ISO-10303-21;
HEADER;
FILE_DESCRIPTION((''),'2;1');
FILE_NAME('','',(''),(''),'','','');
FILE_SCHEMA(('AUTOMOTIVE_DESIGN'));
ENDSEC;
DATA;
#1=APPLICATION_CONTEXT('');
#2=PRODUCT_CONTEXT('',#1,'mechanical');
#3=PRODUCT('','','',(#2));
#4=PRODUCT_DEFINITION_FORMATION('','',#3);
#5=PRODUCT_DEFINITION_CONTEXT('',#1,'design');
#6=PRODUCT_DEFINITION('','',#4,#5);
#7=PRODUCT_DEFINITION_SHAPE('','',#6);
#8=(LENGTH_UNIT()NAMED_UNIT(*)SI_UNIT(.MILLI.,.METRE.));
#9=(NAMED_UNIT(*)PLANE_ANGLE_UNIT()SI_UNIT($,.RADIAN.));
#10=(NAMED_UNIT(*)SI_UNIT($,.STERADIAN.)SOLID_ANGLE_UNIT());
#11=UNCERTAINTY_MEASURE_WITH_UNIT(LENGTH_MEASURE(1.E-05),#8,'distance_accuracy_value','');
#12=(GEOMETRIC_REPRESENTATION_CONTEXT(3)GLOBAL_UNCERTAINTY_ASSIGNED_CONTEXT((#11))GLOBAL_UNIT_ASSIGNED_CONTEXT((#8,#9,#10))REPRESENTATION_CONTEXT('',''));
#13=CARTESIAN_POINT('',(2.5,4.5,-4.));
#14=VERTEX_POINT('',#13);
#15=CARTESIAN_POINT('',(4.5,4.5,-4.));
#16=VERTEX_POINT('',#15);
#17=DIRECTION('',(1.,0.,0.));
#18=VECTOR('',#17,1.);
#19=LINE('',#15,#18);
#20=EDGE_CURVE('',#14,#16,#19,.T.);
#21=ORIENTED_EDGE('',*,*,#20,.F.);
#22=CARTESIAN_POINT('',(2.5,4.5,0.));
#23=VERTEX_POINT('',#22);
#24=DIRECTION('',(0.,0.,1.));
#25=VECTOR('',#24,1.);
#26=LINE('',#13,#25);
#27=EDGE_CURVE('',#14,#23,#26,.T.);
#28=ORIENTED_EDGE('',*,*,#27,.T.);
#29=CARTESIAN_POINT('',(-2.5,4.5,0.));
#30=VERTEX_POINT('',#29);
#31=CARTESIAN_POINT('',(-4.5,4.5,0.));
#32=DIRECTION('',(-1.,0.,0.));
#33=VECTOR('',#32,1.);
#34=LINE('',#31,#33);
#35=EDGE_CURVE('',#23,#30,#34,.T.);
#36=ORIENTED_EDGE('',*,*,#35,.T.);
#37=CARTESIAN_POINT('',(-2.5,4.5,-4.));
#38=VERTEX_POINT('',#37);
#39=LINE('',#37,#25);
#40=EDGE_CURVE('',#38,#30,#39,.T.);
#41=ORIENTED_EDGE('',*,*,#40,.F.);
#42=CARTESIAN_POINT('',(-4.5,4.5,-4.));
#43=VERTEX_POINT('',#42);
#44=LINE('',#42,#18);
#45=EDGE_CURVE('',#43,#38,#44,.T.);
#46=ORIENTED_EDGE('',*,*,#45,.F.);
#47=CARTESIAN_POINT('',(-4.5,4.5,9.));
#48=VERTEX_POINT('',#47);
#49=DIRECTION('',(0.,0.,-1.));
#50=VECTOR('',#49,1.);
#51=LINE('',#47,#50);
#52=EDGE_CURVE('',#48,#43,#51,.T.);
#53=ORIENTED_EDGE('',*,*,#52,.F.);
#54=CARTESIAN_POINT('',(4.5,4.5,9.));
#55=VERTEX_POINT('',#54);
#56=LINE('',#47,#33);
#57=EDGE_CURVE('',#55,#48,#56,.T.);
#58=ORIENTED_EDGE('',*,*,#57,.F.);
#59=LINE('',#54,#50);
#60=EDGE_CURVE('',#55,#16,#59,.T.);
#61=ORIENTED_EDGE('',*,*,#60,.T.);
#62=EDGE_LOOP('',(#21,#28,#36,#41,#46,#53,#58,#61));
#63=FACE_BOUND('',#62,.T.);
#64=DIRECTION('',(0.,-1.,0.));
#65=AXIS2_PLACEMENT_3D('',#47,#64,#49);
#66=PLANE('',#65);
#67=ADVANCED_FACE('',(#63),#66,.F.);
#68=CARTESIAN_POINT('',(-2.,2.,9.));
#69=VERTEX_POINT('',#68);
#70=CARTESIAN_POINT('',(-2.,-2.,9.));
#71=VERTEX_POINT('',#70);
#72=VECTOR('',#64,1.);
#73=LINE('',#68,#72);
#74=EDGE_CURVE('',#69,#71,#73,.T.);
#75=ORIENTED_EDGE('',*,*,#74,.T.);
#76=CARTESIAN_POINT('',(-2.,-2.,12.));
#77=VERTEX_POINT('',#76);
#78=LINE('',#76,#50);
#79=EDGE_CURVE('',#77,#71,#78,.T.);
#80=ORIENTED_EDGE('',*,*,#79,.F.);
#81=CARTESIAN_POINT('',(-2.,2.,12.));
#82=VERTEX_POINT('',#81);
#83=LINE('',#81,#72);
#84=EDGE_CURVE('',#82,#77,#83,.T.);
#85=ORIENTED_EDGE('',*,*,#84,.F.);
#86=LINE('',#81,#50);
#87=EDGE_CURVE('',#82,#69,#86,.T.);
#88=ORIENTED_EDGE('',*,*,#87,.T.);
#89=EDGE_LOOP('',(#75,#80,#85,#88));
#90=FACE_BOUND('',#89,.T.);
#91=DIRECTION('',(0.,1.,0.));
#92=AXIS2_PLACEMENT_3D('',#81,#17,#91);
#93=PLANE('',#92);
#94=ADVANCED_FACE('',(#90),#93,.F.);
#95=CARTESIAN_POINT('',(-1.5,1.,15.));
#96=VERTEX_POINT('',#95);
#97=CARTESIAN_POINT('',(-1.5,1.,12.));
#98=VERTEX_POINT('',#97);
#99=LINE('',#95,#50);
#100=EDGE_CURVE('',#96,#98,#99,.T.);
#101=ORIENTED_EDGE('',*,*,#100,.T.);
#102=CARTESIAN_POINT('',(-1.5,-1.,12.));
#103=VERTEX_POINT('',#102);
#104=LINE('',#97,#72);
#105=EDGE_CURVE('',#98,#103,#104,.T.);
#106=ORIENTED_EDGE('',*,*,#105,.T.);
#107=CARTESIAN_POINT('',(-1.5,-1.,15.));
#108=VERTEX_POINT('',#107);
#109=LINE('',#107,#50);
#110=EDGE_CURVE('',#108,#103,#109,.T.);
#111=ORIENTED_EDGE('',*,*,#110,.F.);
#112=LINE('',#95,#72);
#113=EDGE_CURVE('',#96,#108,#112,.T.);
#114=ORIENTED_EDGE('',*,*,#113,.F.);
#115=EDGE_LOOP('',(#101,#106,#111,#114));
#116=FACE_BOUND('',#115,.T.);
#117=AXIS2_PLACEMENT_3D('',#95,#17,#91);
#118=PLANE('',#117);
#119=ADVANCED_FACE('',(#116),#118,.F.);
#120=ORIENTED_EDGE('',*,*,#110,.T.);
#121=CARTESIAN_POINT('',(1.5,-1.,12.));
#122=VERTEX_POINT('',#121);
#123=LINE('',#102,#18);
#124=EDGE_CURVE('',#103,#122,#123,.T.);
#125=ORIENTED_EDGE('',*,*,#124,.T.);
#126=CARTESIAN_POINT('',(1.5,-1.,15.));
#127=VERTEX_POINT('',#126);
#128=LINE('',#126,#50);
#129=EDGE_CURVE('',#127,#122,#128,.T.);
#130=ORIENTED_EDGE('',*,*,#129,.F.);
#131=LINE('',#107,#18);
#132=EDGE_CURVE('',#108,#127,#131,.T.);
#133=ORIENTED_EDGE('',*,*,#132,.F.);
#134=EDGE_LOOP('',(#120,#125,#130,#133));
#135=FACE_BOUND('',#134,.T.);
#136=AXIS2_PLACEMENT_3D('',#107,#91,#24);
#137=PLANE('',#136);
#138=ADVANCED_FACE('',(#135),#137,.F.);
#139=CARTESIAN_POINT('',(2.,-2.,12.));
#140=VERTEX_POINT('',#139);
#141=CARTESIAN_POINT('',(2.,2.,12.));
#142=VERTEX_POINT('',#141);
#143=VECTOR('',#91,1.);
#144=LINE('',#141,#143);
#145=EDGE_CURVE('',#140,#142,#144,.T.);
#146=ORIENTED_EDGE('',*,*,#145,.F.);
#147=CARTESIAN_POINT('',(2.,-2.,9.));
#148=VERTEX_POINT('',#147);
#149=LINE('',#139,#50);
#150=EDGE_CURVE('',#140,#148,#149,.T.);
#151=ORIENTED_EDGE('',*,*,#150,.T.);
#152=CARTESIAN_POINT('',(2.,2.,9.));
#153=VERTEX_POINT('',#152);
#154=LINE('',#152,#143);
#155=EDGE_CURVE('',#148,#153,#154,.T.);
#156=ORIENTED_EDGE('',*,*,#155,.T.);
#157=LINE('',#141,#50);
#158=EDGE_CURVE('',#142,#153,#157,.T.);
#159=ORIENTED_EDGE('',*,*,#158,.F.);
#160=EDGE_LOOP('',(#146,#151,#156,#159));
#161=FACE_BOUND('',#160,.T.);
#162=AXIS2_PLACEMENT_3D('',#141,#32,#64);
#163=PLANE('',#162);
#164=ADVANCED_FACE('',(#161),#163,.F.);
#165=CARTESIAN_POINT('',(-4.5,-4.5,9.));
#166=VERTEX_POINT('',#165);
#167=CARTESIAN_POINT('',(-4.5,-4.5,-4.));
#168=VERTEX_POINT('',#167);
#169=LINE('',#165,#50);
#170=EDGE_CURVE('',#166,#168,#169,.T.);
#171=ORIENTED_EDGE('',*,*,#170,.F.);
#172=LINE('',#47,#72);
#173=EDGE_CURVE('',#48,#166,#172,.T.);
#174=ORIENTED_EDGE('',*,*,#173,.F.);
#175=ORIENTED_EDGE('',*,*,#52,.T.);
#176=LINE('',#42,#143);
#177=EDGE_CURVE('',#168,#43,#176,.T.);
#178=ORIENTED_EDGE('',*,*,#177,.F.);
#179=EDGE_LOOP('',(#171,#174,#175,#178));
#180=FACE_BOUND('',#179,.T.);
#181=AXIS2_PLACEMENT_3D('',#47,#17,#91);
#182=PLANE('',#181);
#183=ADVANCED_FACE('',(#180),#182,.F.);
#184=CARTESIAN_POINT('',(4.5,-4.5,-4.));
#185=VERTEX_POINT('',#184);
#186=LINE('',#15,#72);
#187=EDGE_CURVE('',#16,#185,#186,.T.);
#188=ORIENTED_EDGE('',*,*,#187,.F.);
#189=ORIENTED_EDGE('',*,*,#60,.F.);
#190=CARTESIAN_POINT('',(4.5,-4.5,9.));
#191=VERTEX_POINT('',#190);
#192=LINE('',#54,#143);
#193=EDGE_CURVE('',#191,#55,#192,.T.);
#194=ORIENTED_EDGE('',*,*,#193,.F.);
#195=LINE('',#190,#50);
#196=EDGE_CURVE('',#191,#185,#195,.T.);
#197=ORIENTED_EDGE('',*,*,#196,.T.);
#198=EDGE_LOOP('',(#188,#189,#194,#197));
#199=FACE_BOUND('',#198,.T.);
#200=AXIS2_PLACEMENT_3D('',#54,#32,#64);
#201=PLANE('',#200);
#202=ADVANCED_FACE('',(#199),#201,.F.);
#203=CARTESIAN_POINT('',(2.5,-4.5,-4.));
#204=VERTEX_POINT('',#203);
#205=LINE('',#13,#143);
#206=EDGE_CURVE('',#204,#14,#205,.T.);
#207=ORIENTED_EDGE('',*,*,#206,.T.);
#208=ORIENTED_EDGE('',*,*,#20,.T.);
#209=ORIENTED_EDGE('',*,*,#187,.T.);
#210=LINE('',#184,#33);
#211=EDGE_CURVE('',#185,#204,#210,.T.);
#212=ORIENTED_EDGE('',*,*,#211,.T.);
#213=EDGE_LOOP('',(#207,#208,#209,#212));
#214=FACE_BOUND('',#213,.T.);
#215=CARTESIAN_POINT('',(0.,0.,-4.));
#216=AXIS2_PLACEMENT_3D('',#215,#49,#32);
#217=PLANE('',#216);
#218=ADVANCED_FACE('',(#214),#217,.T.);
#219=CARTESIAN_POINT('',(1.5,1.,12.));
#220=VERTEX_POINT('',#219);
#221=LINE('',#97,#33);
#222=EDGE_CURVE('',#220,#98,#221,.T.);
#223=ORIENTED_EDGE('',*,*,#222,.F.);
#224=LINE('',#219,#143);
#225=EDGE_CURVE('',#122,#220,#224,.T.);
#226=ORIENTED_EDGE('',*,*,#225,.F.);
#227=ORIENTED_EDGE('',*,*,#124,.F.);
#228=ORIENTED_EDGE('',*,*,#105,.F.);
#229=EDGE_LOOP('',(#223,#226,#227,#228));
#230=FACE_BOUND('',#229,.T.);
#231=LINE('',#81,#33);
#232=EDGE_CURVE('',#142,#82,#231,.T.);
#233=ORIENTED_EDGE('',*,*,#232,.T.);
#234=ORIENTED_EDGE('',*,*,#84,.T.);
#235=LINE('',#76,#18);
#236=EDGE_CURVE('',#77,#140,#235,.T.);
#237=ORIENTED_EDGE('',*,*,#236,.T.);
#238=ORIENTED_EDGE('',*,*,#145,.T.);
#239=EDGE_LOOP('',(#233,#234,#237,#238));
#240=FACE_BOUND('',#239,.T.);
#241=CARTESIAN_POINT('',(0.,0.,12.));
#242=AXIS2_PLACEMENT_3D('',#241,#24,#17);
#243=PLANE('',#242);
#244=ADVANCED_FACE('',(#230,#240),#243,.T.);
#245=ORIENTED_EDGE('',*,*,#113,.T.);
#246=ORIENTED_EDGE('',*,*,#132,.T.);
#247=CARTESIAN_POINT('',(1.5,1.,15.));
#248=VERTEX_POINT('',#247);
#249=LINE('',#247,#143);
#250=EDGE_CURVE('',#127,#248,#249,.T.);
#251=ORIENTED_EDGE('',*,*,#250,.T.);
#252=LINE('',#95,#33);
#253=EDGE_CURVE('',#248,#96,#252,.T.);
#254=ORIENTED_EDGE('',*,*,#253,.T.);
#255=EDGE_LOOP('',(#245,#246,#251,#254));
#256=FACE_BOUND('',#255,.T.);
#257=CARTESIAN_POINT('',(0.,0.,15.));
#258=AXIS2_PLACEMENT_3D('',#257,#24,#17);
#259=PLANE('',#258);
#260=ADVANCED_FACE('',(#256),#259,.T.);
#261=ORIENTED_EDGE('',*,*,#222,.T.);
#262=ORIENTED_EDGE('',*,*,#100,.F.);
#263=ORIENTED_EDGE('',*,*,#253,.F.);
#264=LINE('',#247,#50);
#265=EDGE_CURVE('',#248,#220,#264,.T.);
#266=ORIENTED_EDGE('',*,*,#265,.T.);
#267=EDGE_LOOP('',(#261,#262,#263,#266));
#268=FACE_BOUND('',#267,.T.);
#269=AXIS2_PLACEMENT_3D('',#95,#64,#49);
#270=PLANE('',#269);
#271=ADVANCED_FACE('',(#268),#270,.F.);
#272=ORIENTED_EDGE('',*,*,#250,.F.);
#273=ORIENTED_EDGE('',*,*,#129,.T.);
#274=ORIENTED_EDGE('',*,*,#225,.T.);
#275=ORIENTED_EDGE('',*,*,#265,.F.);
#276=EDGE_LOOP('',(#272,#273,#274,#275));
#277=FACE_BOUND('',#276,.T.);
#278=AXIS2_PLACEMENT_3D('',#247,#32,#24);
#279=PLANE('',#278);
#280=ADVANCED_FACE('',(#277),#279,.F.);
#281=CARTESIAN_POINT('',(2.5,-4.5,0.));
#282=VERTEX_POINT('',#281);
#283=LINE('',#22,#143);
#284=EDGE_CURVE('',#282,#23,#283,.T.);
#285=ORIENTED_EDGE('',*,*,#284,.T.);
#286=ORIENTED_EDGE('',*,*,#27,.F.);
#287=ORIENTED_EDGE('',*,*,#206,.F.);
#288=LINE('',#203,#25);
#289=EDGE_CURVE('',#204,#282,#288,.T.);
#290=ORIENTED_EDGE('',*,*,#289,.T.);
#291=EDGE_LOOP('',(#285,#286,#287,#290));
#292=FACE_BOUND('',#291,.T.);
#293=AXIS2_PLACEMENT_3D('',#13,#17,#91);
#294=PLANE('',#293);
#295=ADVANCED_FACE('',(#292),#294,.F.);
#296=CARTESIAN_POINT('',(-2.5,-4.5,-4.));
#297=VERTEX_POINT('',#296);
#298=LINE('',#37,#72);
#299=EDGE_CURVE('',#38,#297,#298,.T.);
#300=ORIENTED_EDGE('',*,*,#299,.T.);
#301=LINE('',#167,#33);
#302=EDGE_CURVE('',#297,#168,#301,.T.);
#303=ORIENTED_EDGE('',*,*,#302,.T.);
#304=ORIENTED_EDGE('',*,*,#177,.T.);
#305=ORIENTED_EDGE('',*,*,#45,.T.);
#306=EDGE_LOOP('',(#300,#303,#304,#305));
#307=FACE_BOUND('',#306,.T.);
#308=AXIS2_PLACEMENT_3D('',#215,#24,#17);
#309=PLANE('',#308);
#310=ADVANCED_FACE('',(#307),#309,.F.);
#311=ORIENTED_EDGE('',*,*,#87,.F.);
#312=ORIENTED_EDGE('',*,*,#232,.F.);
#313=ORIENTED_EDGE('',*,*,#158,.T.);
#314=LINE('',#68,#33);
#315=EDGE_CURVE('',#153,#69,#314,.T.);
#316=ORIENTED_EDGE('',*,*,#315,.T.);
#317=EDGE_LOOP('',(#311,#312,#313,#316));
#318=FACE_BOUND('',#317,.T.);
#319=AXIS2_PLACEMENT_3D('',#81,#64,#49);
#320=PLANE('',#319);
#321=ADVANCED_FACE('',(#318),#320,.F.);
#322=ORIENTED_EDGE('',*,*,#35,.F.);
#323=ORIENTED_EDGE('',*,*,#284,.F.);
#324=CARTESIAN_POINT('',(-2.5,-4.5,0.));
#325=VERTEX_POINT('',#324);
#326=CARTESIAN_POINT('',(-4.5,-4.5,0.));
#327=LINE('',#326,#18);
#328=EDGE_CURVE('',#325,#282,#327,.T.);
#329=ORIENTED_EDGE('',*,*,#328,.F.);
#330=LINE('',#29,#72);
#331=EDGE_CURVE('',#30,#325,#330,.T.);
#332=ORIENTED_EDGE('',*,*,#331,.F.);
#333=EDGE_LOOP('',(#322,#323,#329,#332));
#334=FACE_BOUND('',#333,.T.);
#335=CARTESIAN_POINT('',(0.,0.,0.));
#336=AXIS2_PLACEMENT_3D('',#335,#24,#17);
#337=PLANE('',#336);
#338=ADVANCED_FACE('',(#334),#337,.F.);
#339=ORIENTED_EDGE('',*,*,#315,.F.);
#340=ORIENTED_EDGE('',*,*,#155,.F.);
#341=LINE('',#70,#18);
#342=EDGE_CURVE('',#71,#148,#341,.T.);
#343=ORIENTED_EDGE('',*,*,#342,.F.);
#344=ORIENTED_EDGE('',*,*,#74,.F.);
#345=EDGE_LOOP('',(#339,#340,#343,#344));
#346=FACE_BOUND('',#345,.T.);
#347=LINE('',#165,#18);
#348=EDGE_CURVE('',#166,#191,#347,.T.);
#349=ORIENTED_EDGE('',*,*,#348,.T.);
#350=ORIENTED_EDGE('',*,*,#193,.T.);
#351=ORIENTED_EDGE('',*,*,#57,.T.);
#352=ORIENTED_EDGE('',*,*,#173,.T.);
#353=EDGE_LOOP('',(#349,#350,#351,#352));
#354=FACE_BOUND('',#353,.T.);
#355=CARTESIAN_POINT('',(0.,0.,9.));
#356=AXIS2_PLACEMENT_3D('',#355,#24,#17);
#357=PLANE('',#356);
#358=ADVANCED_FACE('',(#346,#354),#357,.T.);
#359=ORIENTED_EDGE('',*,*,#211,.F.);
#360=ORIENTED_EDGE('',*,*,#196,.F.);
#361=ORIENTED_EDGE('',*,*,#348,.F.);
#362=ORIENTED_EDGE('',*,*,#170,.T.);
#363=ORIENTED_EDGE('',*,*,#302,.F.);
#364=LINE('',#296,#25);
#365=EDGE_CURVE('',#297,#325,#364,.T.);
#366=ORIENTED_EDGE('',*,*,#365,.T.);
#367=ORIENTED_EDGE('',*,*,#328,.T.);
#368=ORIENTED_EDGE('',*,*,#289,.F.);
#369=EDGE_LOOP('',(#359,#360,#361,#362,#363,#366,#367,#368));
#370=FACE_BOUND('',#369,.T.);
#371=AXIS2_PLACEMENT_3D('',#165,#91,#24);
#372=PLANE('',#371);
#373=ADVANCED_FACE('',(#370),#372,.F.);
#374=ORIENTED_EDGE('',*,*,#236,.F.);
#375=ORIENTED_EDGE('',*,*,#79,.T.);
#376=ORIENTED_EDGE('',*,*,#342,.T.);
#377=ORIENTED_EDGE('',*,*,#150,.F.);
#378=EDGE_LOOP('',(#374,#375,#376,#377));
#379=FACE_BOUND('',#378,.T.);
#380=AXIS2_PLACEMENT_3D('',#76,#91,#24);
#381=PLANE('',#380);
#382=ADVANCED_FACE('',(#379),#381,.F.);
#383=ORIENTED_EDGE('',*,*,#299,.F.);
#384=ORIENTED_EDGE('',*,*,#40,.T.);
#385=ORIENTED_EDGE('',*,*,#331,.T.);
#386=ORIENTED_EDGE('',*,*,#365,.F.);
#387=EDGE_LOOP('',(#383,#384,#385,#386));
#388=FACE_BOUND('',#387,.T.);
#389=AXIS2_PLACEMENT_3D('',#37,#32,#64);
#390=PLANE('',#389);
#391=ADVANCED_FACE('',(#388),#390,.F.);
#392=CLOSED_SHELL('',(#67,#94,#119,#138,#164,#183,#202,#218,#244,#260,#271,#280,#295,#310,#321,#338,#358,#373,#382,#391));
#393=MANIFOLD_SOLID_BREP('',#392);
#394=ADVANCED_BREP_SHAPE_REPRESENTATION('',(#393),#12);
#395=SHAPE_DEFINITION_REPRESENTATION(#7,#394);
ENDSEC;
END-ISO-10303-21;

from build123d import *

# Parameters (mm, degrees)
SKETCH1_W           = 9
SKETCH1_H           = 9
MAIN_BODY_DEPTH     = 9
SKETCH2_W           = 4
SKETCH2_H           = 4
BOSS_EXTRUDE2_DEPTH = 3
SKETCH3_W           = 3
SKETCH3_H           = 2
BOSS_EXTRUDE3_DEPTH = 3
SKETCH4_W           = 2
SKETCH4_H           = 9
PINS_DEPTH          = 4


with BuildPart() as part:
    # Sketch1 → MAIN BODY (new body)
    with BuildSketch(Plane.XY):
        Rectangle(SKETCH1_W, SKETCH1_H)
    extrude(amount=MAIN_BODY_DEPTH)

    # Sketch2 → Boss-Extrude2 (add)
    with BuildSketch(Plane.XY.offset(9)):
        Rectangle(SKETCH2_W, SKETCH2_H)
    extrude(amount=BOSS_EXTRUDE2_DEPTH)

    # Sketch3 → Boss-Extrude3 (add)
    with BuildSketch(Plane.XY.offset(12)):
        Rectangle(SKETCH3_W, SKETCH3_H)
    extrude(amount=BOSS_EXTRUDE3_DEPTH)

    # Sketch4 → PINS (add)
    with BuildSketch(Plane(origin=(0, 0, 0), x_dir=(-1, 0, 0), z_dir=(0, 0, -1))):
        with Locations((-3.5, 0)):
            Rectangle(SKETCH4_W, SKETCH4_H)
        with Locations((3.5, 0)):
            Rectangle(SKETCH4_W, SKETCH4_H)
    extrude(amount=PINS_DEPTH)


solid = part.part
